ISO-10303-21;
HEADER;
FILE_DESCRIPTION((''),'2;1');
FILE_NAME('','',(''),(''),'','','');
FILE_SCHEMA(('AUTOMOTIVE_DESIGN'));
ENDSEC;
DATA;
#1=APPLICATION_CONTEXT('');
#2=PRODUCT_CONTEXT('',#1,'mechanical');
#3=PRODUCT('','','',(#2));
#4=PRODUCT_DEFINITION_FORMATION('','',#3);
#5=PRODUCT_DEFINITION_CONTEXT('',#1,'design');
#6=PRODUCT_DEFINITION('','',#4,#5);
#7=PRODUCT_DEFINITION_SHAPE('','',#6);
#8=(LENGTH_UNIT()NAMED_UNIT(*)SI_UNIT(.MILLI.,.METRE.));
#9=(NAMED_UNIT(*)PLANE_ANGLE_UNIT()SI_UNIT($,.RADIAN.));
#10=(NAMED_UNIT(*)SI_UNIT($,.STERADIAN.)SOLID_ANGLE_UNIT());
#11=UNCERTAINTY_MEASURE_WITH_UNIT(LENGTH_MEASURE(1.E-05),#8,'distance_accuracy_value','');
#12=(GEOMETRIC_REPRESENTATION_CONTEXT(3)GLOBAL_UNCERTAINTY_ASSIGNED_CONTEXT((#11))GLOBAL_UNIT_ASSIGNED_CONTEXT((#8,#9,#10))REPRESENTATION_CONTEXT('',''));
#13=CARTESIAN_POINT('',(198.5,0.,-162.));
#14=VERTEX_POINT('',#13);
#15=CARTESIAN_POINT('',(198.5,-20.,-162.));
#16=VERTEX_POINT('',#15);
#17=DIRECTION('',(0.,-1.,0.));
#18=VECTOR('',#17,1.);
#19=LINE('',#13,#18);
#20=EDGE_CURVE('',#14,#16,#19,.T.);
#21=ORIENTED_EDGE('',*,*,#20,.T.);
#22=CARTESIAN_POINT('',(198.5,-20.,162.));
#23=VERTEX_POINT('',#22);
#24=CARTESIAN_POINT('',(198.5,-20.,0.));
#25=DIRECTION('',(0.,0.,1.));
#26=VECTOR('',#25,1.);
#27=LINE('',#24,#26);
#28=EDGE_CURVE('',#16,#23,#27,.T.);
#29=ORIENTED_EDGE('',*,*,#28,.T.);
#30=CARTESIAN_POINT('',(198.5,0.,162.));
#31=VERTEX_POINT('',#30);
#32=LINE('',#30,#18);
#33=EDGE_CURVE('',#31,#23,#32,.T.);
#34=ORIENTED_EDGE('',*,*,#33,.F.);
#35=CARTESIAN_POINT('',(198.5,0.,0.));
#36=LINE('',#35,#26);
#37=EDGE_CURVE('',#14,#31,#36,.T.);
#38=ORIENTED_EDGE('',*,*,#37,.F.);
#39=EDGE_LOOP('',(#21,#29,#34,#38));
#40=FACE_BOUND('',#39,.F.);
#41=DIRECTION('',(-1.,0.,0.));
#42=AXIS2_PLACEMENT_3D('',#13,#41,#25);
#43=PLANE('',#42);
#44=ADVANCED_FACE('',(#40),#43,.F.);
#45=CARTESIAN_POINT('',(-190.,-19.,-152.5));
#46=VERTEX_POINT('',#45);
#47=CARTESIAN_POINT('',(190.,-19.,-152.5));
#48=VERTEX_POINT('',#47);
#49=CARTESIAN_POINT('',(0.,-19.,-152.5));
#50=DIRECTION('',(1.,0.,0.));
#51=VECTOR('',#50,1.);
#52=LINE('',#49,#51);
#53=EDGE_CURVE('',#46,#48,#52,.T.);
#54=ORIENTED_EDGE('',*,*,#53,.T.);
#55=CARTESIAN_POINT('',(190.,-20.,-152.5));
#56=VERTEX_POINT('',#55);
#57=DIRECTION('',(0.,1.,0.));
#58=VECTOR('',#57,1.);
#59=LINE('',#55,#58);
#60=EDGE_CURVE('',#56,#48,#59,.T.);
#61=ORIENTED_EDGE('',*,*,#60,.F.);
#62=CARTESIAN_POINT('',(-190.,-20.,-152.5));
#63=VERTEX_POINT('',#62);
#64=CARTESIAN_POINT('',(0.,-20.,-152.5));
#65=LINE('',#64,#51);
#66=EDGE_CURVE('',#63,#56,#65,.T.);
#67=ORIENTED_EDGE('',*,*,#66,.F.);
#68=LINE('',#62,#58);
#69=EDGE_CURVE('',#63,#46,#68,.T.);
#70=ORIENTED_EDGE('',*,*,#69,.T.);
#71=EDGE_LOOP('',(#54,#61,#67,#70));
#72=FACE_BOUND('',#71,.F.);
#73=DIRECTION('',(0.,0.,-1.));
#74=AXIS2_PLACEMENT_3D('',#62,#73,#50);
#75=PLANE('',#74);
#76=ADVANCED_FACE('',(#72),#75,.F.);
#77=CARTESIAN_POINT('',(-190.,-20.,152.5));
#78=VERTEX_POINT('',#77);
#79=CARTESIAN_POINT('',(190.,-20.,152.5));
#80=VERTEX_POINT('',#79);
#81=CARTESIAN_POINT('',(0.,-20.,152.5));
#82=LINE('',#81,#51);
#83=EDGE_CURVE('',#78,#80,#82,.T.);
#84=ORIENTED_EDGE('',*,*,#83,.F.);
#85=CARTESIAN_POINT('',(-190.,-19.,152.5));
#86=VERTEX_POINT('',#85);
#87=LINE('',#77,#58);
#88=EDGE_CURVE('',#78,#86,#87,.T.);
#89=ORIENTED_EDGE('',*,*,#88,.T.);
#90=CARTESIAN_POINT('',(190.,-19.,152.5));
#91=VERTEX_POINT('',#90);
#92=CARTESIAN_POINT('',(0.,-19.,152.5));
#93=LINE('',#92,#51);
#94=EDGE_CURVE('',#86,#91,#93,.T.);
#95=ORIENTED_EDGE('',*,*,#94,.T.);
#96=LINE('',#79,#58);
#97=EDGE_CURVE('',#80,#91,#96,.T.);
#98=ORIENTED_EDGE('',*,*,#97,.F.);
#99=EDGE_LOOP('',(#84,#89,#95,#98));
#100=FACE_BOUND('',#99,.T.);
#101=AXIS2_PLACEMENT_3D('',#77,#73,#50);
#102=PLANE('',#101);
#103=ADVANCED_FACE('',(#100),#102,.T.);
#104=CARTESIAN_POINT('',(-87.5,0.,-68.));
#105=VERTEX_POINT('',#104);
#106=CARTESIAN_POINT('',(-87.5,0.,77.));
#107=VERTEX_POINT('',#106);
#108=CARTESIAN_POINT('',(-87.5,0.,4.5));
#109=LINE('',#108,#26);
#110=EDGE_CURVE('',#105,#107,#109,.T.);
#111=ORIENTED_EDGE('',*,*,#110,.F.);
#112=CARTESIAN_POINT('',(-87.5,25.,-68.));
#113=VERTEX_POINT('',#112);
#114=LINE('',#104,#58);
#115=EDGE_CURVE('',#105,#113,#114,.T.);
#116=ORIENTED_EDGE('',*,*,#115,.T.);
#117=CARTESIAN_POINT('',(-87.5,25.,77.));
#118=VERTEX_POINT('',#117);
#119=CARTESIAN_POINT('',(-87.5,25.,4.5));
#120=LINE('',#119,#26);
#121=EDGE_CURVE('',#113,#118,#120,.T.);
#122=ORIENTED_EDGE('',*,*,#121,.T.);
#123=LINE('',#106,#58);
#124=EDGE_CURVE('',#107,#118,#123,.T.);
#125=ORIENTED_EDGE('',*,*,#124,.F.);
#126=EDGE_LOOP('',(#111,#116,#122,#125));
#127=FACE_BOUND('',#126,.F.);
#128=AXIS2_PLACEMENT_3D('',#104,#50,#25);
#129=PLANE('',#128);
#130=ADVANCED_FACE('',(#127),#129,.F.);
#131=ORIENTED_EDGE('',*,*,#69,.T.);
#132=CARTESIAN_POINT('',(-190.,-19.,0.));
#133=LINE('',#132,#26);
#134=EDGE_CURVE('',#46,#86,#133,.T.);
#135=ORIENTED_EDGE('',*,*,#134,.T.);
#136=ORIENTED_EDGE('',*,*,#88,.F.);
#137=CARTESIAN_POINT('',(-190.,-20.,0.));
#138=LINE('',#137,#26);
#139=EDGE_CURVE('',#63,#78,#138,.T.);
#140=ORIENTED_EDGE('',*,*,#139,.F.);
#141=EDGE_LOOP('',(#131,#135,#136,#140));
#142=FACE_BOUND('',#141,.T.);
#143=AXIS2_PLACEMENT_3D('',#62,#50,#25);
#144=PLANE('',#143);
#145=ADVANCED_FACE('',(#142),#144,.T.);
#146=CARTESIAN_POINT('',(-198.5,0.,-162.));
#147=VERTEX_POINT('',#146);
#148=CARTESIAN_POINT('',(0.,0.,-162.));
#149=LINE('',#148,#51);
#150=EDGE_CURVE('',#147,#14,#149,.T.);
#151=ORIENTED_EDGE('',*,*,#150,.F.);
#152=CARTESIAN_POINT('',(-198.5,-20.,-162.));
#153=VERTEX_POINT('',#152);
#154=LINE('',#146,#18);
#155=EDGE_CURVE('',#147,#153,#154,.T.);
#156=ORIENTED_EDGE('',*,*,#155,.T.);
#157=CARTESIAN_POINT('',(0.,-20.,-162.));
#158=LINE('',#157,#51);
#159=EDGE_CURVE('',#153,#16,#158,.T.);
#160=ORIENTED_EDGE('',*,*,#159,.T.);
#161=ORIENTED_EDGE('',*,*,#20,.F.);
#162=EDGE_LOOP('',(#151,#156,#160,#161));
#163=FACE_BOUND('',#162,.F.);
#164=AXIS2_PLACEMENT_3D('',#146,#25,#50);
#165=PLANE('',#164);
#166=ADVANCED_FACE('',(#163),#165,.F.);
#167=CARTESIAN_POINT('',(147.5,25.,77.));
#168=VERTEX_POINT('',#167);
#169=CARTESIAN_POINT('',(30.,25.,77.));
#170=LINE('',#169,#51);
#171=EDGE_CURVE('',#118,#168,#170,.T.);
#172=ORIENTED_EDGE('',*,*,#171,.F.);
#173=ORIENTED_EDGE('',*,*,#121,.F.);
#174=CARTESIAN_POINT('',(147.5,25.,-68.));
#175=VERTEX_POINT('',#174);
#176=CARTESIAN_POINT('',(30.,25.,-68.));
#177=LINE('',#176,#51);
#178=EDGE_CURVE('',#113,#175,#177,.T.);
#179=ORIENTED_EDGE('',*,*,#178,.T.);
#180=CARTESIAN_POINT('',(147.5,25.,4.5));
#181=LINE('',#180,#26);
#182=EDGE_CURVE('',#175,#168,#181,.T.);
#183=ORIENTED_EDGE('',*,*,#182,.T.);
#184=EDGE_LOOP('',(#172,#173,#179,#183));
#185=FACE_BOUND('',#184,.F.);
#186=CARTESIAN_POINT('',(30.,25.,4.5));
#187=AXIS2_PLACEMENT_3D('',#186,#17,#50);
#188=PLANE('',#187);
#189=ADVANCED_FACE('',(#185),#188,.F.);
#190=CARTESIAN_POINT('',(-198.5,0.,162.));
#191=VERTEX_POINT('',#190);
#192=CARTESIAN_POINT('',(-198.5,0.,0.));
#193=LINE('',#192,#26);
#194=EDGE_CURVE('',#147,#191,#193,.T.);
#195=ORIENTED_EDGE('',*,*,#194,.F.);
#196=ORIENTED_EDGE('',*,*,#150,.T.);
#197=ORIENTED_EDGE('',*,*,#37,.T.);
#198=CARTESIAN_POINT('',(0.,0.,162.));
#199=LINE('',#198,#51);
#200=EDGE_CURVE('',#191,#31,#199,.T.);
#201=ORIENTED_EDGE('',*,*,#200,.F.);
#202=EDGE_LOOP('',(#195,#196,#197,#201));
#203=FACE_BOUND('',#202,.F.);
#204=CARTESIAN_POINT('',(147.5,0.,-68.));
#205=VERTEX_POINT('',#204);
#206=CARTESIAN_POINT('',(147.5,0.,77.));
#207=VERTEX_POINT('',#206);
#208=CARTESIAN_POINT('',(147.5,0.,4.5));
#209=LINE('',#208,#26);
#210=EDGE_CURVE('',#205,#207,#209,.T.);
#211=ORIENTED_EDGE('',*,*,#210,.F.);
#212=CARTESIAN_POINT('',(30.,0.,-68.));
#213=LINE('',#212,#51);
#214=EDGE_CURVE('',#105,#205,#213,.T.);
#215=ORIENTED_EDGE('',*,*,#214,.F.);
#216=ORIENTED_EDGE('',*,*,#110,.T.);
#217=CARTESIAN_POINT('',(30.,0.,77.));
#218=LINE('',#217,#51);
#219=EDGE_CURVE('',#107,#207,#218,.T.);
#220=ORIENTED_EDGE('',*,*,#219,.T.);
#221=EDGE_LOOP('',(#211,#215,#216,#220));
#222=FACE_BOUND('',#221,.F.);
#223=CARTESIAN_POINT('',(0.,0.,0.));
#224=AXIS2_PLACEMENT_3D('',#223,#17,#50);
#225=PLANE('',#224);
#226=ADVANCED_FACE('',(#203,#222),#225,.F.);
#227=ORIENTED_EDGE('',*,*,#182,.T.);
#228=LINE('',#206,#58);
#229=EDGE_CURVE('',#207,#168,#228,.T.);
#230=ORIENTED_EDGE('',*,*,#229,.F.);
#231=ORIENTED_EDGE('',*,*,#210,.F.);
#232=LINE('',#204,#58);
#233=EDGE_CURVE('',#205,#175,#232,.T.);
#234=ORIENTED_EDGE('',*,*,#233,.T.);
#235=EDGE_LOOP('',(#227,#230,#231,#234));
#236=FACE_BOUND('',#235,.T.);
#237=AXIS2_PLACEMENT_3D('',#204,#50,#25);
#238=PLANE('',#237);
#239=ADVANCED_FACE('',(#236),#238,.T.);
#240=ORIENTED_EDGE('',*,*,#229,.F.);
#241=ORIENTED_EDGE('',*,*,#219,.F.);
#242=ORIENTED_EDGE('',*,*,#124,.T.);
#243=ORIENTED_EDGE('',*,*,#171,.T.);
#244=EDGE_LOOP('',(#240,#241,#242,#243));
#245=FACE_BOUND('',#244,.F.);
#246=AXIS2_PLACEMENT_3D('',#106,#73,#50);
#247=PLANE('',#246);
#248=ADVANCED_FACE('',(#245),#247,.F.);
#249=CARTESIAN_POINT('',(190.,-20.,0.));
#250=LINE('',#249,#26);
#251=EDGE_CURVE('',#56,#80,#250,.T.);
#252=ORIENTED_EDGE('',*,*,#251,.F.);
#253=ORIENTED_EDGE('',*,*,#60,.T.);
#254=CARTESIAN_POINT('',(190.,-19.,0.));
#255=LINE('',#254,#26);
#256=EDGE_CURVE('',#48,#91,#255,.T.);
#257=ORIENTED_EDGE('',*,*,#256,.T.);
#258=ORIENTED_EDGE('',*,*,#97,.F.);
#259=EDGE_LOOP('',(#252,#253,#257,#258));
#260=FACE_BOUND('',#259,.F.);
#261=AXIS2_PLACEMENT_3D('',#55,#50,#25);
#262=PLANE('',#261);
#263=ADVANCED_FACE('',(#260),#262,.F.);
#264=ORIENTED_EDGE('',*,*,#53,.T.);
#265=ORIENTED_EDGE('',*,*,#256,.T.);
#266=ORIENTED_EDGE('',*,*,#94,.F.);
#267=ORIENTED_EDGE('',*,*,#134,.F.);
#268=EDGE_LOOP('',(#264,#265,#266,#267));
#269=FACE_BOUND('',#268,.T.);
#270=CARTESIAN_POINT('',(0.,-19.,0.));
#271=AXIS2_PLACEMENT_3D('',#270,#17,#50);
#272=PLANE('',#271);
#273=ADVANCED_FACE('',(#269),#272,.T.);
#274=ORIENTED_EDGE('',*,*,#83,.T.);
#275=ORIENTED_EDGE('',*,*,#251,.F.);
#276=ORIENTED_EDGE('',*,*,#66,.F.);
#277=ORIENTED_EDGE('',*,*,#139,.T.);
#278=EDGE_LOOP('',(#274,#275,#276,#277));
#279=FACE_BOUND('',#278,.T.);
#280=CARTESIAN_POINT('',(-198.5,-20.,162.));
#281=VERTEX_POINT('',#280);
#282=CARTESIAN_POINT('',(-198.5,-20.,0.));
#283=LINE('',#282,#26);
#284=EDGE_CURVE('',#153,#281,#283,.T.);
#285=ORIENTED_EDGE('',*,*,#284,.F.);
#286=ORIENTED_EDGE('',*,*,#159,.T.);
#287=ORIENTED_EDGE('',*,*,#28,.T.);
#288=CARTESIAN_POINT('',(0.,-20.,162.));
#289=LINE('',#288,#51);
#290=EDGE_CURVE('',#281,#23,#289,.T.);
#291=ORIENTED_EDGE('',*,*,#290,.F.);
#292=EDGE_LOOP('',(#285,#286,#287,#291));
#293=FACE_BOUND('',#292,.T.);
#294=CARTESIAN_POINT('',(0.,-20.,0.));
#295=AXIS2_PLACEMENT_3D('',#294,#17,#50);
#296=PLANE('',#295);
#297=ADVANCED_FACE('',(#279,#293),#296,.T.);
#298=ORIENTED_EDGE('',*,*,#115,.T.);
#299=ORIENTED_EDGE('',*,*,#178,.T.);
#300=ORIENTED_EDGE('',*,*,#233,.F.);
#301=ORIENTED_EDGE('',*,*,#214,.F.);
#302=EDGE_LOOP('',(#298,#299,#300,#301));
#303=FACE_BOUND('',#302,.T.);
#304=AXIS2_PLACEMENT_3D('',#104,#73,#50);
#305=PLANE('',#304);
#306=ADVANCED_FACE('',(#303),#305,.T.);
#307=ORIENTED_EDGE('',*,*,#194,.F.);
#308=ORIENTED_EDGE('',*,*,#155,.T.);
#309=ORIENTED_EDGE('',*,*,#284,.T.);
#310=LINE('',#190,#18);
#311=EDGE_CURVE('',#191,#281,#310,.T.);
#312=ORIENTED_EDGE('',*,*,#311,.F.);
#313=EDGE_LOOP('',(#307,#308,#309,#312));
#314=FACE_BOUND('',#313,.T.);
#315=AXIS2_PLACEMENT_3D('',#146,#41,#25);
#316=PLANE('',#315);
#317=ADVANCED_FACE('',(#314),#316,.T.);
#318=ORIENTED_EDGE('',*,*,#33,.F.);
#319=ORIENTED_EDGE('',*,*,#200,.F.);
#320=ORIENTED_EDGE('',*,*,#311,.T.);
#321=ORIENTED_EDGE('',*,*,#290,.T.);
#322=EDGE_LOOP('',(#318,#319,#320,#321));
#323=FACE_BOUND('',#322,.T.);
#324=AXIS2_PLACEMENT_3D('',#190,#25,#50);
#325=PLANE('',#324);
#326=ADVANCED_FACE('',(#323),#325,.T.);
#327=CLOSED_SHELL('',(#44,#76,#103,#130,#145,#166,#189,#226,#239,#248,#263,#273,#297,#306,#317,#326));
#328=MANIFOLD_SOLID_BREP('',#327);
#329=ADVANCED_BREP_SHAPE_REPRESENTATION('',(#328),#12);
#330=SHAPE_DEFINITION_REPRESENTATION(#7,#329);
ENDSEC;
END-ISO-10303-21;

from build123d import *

# Parameters (mm, degrees)
F0_W     = 397
F0_H     = 324
F1_DEPTH = 20
F2_W     = 380
F2_H     = 305
F3_DEPTH = 1
F4_W     = 235
F4_H     = 145
F5_DEPTH = 25


with BuildPart() as f1:
    # F0 (on Front) → F1 (new body)
    with BuildSketch(Plane.XZ):
        Rectangle(F0_W, F0_H)
    extrude(amount=F1_DEPTH)

    # F2 (on face) → F3 (cut)
    with BuildSketch(Plane.XZ.offset(20)):
        Rectangle(F2_W, F2_H)
    extrude(amount=-F3_DEPTH, mode=Mode.SUBTRACT)

    # F4 (on face) → F5 (join)
    with BuildSketch(Plane.XZ):
        with Locations((30, 4.5)):
            Rectangle(F4_W, F4_H)
    extrude(amount=-F5_DEPTH)


solid = f1.part
